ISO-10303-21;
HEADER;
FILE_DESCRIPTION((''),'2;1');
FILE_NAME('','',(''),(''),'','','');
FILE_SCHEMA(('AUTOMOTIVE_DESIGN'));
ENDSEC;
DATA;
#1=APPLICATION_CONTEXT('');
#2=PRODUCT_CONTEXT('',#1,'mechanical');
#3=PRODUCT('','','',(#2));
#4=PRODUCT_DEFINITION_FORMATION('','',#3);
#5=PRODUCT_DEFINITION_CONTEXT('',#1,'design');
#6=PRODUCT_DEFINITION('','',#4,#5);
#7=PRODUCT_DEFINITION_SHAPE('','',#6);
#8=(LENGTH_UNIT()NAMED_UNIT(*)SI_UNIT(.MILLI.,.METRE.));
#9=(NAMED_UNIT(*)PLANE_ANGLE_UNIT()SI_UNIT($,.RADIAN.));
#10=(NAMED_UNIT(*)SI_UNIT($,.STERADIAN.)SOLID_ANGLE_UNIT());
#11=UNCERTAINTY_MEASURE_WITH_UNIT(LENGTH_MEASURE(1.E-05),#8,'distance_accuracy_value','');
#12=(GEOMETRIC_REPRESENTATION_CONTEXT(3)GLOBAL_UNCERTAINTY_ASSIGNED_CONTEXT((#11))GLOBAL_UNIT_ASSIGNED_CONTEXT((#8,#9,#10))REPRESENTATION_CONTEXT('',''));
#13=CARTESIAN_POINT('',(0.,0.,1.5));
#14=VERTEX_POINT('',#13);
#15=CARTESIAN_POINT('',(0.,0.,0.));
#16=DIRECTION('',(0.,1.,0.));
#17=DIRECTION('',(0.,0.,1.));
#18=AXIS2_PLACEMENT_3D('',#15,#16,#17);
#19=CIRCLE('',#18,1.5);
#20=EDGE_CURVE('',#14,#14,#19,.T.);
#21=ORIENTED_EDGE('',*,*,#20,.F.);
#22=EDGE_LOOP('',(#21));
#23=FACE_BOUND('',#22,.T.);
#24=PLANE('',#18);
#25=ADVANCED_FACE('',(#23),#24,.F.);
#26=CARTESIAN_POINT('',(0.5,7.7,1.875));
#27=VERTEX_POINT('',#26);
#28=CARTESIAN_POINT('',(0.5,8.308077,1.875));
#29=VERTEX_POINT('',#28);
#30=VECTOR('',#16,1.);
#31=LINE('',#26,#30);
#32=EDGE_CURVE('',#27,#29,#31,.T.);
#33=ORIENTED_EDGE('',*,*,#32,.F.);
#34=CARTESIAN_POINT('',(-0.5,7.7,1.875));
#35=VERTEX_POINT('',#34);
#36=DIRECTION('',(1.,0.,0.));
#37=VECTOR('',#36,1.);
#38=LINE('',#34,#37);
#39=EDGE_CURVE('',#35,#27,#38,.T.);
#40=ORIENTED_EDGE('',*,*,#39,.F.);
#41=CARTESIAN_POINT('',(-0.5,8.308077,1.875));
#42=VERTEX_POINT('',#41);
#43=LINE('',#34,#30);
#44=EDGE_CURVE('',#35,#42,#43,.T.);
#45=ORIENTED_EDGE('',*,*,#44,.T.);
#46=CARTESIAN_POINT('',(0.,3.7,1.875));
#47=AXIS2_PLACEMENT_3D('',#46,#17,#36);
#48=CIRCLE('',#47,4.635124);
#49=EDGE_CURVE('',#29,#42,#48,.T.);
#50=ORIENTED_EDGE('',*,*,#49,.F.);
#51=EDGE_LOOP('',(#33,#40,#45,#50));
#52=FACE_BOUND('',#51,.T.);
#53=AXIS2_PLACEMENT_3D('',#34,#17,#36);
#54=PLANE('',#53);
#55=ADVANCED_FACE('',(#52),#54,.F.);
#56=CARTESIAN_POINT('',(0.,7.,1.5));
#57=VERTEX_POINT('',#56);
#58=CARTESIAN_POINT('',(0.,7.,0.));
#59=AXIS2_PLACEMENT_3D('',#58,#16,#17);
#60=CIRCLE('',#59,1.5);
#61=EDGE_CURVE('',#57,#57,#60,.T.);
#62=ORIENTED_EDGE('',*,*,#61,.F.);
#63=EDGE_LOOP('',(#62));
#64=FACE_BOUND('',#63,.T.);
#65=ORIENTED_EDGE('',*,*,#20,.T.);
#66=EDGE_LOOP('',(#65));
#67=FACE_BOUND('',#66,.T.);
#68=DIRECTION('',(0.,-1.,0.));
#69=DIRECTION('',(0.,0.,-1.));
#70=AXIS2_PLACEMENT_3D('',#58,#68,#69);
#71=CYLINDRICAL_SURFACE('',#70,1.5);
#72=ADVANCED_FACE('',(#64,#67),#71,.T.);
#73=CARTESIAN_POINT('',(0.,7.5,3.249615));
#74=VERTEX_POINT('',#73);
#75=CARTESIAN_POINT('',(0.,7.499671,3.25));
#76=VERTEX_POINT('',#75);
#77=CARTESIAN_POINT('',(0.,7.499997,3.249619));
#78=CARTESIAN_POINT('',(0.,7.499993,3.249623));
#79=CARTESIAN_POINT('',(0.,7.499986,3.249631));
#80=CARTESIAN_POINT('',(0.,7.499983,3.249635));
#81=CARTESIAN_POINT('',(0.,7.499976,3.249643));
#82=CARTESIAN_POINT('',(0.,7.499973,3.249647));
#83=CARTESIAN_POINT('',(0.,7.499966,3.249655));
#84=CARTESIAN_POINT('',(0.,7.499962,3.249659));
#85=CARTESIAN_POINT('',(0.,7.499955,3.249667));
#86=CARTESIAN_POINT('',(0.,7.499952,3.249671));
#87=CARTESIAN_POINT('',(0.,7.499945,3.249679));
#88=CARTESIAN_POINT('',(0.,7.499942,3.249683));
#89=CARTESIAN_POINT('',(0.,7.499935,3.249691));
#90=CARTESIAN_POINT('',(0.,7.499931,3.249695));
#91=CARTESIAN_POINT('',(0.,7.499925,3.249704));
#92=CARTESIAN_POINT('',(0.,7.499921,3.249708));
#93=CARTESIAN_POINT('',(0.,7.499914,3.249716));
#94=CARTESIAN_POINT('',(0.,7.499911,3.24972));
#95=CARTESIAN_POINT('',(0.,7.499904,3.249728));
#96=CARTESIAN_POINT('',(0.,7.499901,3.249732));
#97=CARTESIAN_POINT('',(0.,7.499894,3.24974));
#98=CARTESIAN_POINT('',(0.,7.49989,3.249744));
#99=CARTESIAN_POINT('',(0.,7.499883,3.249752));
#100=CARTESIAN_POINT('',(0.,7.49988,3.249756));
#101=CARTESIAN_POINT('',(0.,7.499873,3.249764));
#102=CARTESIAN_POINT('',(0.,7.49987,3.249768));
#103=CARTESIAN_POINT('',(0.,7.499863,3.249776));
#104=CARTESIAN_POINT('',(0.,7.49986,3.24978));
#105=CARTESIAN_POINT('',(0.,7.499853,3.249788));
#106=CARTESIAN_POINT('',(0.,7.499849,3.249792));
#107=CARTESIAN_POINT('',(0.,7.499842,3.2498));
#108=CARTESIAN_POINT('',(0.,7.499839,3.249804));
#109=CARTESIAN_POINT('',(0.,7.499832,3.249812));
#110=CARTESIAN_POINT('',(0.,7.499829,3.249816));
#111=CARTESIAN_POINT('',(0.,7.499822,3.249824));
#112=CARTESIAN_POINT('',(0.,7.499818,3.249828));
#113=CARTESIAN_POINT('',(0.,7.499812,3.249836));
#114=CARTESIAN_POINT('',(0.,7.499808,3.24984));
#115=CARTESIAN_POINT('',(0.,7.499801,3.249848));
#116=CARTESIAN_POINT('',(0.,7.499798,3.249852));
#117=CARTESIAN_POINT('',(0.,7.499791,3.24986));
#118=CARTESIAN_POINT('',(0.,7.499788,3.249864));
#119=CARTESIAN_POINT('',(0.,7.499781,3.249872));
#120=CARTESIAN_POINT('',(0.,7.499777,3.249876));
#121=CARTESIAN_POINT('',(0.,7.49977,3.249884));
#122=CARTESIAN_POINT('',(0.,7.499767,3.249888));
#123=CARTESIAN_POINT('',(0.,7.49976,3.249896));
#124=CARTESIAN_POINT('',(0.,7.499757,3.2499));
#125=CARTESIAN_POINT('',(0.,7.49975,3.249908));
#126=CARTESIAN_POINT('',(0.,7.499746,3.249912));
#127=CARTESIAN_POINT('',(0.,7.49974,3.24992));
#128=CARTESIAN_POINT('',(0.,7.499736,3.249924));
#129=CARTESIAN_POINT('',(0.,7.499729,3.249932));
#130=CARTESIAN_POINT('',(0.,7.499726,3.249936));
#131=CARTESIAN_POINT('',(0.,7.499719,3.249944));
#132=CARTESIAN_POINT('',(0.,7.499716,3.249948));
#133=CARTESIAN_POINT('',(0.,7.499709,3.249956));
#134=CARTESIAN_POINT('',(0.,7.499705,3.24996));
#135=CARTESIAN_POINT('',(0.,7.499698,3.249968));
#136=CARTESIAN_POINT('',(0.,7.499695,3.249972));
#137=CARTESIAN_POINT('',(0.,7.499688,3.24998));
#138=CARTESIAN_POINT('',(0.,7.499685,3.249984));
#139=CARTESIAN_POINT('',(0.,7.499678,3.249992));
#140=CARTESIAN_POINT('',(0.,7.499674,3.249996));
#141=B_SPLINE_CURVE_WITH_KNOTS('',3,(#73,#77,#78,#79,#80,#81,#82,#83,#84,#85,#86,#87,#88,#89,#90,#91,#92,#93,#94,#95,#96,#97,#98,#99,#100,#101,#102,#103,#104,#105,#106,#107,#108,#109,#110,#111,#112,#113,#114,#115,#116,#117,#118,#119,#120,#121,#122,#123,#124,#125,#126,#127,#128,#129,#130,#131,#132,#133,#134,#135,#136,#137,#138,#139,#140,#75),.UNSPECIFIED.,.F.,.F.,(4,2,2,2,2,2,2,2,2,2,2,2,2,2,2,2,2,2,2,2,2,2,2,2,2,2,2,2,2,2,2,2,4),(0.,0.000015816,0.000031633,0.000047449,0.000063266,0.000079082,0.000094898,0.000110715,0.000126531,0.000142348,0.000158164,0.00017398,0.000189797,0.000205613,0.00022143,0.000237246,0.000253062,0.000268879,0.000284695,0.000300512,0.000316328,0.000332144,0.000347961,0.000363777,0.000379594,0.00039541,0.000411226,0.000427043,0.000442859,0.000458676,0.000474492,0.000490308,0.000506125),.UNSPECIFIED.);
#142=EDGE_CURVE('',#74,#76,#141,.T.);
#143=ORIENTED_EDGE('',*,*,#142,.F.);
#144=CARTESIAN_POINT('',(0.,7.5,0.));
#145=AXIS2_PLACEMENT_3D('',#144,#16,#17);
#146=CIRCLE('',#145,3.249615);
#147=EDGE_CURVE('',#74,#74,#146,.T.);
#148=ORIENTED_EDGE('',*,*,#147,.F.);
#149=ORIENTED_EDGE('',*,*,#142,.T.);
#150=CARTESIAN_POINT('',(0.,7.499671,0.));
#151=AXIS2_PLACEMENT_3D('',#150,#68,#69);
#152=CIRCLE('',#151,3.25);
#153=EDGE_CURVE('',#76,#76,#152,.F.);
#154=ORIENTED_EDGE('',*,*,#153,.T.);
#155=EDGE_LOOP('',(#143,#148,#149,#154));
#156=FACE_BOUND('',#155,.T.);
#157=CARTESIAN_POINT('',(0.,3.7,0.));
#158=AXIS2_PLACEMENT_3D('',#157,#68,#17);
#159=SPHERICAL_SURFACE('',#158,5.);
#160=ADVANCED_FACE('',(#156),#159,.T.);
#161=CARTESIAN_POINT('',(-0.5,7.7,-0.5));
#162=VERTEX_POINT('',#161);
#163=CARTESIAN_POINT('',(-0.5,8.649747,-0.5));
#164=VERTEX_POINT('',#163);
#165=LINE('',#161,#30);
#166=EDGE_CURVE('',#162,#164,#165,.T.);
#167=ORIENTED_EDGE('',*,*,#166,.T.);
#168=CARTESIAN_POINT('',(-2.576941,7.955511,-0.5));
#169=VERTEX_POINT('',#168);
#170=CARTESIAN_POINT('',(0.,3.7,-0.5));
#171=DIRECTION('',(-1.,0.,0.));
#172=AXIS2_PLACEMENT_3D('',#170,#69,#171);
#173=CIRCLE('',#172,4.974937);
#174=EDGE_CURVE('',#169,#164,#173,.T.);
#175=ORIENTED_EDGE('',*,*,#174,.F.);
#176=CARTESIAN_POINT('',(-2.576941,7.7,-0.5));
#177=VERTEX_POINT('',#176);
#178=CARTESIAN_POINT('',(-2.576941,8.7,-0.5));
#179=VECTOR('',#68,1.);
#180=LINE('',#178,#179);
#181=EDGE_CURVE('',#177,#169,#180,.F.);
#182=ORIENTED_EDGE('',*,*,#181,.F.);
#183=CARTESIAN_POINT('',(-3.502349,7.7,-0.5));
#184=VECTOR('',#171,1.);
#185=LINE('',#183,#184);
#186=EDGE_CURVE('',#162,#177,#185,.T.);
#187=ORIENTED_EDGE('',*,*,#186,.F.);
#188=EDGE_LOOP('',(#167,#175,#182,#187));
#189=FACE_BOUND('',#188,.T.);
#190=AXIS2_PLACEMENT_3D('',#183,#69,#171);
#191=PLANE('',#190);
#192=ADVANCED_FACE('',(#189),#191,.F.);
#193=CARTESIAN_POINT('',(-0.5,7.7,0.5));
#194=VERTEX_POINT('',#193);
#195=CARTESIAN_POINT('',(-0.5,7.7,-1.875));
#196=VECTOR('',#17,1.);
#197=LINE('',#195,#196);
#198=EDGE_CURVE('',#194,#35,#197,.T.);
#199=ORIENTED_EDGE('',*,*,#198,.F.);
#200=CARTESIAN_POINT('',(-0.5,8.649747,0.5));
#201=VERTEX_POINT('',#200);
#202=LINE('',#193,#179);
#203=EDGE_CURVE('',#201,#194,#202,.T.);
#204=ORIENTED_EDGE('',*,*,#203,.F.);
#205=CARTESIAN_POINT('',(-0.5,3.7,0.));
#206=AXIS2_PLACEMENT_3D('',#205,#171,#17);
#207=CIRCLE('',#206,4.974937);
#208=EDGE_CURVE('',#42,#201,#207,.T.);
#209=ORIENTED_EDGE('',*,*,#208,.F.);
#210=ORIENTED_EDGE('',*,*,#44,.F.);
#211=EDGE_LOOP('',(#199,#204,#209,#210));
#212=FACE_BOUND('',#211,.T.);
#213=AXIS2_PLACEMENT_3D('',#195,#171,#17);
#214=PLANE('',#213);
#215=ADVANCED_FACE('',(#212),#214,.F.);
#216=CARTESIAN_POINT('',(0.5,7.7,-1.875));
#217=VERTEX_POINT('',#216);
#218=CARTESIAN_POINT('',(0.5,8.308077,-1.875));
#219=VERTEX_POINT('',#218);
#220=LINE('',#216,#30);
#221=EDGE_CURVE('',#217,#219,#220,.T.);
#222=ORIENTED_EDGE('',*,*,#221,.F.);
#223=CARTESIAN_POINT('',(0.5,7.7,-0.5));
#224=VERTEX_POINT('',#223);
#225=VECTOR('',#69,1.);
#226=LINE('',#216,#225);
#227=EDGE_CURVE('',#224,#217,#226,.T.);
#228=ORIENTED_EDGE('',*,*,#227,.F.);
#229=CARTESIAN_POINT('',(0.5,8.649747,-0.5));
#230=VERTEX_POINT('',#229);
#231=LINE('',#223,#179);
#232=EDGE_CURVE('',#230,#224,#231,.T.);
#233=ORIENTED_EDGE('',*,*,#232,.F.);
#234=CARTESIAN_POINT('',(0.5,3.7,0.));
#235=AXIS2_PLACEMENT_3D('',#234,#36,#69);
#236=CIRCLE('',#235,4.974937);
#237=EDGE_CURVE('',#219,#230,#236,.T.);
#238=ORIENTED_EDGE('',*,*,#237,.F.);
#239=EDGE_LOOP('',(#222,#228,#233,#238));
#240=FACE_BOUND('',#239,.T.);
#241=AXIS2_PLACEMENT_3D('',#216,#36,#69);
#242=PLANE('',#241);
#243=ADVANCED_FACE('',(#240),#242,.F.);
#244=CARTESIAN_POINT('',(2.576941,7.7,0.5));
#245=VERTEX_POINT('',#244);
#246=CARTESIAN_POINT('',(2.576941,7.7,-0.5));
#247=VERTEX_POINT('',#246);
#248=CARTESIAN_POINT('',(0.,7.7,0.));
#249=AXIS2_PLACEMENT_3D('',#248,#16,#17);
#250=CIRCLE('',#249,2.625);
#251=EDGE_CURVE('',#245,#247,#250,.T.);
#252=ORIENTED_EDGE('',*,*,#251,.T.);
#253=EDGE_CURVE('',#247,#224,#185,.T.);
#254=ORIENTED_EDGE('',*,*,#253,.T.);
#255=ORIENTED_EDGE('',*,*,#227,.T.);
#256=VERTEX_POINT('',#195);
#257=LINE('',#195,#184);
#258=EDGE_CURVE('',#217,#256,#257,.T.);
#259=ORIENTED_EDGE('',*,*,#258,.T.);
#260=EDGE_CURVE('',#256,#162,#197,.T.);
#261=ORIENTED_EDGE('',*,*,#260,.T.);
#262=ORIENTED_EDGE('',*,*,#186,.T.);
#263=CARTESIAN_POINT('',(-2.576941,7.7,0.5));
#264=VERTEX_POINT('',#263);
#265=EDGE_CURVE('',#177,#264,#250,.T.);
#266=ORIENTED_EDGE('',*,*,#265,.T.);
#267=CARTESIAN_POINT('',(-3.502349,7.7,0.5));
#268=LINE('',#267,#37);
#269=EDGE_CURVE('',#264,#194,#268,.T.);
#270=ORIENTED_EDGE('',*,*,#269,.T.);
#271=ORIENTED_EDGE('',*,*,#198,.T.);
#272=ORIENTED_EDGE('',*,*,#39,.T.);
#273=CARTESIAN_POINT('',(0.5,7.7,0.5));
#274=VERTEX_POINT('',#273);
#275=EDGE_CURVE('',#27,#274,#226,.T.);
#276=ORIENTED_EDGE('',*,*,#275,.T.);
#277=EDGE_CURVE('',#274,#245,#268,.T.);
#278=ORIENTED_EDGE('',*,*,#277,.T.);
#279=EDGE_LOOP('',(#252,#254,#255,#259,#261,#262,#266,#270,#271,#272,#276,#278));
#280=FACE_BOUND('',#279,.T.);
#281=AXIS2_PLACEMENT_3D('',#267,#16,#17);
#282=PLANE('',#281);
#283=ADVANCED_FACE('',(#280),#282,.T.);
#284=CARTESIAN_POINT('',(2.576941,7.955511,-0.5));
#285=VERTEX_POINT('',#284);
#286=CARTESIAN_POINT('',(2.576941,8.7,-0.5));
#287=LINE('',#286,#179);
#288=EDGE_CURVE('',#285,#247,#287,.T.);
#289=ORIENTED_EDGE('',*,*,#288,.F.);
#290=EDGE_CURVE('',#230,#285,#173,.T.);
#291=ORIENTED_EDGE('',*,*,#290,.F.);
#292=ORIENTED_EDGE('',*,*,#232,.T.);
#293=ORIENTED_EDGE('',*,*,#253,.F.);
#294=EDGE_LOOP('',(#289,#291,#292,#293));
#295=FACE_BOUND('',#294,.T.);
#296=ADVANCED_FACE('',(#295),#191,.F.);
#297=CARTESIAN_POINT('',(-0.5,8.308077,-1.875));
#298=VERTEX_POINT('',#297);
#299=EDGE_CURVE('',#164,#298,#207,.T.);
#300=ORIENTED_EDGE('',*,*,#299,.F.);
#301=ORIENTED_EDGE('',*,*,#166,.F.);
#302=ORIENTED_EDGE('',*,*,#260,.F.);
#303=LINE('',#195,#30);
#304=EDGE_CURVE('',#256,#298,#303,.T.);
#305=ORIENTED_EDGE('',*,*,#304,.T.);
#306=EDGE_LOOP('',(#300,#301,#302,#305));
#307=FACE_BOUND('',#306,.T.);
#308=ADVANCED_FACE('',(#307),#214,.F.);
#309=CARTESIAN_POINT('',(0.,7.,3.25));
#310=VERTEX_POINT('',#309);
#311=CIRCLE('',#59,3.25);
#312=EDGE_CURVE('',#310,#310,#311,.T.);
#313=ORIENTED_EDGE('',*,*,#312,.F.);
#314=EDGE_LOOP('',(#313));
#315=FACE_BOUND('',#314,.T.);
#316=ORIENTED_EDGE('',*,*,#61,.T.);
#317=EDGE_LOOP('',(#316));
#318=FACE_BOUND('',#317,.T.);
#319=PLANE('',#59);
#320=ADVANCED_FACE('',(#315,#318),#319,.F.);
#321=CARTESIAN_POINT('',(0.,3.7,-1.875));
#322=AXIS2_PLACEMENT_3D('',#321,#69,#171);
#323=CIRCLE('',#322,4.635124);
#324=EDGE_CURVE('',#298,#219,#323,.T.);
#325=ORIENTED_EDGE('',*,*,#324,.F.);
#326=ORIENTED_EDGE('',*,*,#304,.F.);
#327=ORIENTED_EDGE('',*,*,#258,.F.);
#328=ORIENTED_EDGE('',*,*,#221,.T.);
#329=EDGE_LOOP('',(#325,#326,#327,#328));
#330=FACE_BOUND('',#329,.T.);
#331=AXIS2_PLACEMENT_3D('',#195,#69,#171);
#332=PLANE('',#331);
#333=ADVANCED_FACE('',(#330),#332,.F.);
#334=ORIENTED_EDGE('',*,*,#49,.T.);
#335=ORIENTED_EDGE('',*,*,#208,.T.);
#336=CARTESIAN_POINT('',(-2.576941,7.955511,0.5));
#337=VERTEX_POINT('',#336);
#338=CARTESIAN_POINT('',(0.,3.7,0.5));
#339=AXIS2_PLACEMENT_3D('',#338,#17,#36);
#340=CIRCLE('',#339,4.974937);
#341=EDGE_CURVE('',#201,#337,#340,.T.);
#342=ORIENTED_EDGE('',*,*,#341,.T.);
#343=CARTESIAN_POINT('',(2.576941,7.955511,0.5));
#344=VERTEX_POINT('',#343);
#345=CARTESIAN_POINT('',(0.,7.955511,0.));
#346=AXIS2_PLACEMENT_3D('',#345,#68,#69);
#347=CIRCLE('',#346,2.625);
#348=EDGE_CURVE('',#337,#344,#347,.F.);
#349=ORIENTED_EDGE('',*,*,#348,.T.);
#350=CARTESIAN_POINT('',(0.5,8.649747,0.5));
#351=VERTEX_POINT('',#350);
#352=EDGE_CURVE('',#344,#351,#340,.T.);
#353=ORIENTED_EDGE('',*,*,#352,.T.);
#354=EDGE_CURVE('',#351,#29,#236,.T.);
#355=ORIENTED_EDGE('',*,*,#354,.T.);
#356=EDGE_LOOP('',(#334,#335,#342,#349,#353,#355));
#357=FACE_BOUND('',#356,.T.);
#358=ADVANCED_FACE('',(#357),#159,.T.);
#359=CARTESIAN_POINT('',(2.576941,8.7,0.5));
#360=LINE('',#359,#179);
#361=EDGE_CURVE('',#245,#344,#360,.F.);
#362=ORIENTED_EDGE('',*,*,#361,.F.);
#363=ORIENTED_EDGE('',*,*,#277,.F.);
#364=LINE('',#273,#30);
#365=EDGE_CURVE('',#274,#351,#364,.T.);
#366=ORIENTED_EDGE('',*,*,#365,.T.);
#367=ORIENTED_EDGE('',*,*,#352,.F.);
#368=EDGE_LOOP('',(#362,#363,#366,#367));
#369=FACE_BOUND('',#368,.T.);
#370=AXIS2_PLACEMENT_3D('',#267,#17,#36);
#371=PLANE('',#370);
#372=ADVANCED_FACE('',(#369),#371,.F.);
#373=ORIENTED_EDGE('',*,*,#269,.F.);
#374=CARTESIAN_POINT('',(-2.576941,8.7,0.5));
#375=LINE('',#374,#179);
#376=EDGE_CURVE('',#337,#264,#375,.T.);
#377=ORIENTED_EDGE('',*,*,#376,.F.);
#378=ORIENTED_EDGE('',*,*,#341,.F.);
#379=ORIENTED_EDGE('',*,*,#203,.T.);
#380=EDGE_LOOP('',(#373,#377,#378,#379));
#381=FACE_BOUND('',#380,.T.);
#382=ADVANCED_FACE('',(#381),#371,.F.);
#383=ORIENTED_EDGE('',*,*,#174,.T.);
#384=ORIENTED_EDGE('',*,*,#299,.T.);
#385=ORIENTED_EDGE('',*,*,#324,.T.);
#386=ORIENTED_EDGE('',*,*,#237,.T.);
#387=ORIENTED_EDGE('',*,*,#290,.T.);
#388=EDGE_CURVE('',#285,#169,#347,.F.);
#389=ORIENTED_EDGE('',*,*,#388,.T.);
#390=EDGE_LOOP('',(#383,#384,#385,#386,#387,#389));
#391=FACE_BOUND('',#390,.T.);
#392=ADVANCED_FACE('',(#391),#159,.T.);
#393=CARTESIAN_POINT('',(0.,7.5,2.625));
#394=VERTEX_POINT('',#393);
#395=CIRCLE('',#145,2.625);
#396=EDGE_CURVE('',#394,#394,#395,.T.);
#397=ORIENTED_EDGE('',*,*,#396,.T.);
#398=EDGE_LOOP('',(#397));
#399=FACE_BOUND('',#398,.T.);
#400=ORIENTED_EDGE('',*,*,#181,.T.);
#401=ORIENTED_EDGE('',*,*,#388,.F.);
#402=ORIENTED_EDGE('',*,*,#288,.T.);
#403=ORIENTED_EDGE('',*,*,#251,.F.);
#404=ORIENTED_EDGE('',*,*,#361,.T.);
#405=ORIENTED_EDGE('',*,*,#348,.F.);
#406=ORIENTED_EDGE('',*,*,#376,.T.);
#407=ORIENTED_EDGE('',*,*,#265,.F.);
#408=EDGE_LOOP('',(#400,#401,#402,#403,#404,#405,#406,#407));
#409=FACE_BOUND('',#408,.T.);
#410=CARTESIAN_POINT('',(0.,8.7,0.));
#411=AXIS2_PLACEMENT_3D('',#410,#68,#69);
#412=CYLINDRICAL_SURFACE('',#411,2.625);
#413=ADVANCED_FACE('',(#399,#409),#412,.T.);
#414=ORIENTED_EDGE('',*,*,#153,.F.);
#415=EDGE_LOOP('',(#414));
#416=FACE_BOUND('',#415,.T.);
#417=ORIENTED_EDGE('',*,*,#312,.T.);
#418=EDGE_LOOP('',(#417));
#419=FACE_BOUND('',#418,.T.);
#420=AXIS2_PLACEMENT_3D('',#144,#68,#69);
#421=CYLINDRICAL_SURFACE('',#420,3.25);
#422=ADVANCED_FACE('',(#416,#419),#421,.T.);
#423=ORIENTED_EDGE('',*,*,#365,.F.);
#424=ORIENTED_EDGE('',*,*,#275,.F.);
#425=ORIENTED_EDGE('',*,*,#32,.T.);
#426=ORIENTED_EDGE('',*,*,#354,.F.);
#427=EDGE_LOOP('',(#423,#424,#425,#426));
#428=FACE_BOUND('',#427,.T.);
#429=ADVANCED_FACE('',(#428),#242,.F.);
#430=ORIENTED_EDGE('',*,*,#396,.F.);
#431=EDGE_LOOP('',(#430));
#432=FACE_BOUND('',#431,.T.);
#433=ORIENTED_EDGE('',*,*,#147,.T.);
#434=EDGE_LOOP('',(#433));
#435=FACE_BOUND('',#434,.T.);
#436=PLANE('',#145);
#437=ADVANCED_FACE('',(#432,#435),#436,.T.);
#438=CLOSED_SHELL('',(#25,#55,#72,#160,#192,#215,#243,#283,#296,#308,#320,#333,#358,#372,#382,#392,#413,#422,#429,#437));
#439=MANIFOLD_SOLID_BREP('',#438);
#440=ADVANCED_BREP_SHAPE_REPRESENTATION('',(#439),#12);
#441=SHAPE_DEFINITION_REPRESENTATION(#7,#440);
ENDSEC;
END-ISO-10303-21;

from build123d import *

# Parameters (mm, degrees)
SKETCH_1_R          = 1.5
EXTRUDE_1_DEPTH     = 7
SKETCH_6_R          = 3.25
EXTRUDE_1_2_DEPTH   = 0.5
SKETCH_2_R          = 2.625
EXTRUDE_2_DEPTH     = 1.2
SKETCH_3_W          = 7.004697232
SKETCH_3_H          = 1
CUT_EXTRUDE_1_DEPTH = 1
SKETCH_4_W          = 1
SKETCH_4_H          = 3.75
CUT_EXTRUDE_2_DEPTH = 1


with BuildPart() as part:
    # 草图1 → Extrude 1 (new body)
    with BuildSketch(Plane(origin=(0, 0, 0), x_dir=(1, 0, 0), z_dir=(0, 1, 0))):
        with Locations(Location((0, 0, 0), (0, 0, 270))):
            Circle(SKETCH_1_R)
    extrude(amount=EXTRUDE_1_DEPTH)

    # 草图6 → Extrude 1 2 (add)
    with BuildSketch(Plane(origin=(0, 7, 0), x_dir=(1, 0, 0), z_dir=(0, 1, 0))):
        with Locations(Location((0, 0, 0), (0, 0, 270))):
            Circle(SKETCH_6_R)
    extrude(amount=EXTRUDE_1_2_DEPTH)

    # 草图2 → 拉伸2 (add)
    with BuildSketch(Plane(origin=(0, 7.5, 0), x_dir=(-1, 0, 0), z_dir=(0, 1, 0))):
        with Locations(Location((0, 0, 0), (0, 0, 90))):
            Circle(SKETCH_2_R)
    extrude(amount=EXTRUDE_2_DEPTH)

    # 草图3 → 切除-拉伸1 (cut)
    with BuildSketch(Plane(origin=(0, 8.7, 0), x_dir=(-1, 0, 0), z_dir=(0, 1, 0))):
        Rectangle(SKETCH_3_W, SKETCH_3_H)
    extrude(amount=-CUT_EXTRUDE_1_DEPTH, mode=Mode.SUBTRACT)

    # 草图4 → 切除-拉伸2 (cut)
    with BuildSketch(Plane(origin=(0, 8.7, 0), x_dir=(-1, 0, 0), z_dir=(0, 1, 0))):
        Rectangle(SKETCH_4_W, SKETCH_4_H)
    extrude(amount=-CUT_EXTRUDE_2_DEPTH, mode=Mode.SUBTRACT)

    # 草图5 → 切除-旋转16 (revolve, cut)
    with BuildSketch(Plane(origin=(0, 0, 0), x_dir=(0, 0, -1), z_dir=(1, 0, 0))):
        with BuildLine():
            Line((0, 11.324107024), (-3.685811759, 11.324107024))
            Line((-3.685811759, 11.324107024), (-3.685811759, 7.078578352))
            ThreePointArc((-3.685811759, 7.078578352), (-2.013344014, 8.276728731), (0, 8.7))
            Line((0, 8.7), (0, 11.324107024))
        make_face()
    revolve(axis=Axis((0, -2.105917543, 0), (0, 1, 0)), mode=Mode.SUBTRACT)


solid = part.part
